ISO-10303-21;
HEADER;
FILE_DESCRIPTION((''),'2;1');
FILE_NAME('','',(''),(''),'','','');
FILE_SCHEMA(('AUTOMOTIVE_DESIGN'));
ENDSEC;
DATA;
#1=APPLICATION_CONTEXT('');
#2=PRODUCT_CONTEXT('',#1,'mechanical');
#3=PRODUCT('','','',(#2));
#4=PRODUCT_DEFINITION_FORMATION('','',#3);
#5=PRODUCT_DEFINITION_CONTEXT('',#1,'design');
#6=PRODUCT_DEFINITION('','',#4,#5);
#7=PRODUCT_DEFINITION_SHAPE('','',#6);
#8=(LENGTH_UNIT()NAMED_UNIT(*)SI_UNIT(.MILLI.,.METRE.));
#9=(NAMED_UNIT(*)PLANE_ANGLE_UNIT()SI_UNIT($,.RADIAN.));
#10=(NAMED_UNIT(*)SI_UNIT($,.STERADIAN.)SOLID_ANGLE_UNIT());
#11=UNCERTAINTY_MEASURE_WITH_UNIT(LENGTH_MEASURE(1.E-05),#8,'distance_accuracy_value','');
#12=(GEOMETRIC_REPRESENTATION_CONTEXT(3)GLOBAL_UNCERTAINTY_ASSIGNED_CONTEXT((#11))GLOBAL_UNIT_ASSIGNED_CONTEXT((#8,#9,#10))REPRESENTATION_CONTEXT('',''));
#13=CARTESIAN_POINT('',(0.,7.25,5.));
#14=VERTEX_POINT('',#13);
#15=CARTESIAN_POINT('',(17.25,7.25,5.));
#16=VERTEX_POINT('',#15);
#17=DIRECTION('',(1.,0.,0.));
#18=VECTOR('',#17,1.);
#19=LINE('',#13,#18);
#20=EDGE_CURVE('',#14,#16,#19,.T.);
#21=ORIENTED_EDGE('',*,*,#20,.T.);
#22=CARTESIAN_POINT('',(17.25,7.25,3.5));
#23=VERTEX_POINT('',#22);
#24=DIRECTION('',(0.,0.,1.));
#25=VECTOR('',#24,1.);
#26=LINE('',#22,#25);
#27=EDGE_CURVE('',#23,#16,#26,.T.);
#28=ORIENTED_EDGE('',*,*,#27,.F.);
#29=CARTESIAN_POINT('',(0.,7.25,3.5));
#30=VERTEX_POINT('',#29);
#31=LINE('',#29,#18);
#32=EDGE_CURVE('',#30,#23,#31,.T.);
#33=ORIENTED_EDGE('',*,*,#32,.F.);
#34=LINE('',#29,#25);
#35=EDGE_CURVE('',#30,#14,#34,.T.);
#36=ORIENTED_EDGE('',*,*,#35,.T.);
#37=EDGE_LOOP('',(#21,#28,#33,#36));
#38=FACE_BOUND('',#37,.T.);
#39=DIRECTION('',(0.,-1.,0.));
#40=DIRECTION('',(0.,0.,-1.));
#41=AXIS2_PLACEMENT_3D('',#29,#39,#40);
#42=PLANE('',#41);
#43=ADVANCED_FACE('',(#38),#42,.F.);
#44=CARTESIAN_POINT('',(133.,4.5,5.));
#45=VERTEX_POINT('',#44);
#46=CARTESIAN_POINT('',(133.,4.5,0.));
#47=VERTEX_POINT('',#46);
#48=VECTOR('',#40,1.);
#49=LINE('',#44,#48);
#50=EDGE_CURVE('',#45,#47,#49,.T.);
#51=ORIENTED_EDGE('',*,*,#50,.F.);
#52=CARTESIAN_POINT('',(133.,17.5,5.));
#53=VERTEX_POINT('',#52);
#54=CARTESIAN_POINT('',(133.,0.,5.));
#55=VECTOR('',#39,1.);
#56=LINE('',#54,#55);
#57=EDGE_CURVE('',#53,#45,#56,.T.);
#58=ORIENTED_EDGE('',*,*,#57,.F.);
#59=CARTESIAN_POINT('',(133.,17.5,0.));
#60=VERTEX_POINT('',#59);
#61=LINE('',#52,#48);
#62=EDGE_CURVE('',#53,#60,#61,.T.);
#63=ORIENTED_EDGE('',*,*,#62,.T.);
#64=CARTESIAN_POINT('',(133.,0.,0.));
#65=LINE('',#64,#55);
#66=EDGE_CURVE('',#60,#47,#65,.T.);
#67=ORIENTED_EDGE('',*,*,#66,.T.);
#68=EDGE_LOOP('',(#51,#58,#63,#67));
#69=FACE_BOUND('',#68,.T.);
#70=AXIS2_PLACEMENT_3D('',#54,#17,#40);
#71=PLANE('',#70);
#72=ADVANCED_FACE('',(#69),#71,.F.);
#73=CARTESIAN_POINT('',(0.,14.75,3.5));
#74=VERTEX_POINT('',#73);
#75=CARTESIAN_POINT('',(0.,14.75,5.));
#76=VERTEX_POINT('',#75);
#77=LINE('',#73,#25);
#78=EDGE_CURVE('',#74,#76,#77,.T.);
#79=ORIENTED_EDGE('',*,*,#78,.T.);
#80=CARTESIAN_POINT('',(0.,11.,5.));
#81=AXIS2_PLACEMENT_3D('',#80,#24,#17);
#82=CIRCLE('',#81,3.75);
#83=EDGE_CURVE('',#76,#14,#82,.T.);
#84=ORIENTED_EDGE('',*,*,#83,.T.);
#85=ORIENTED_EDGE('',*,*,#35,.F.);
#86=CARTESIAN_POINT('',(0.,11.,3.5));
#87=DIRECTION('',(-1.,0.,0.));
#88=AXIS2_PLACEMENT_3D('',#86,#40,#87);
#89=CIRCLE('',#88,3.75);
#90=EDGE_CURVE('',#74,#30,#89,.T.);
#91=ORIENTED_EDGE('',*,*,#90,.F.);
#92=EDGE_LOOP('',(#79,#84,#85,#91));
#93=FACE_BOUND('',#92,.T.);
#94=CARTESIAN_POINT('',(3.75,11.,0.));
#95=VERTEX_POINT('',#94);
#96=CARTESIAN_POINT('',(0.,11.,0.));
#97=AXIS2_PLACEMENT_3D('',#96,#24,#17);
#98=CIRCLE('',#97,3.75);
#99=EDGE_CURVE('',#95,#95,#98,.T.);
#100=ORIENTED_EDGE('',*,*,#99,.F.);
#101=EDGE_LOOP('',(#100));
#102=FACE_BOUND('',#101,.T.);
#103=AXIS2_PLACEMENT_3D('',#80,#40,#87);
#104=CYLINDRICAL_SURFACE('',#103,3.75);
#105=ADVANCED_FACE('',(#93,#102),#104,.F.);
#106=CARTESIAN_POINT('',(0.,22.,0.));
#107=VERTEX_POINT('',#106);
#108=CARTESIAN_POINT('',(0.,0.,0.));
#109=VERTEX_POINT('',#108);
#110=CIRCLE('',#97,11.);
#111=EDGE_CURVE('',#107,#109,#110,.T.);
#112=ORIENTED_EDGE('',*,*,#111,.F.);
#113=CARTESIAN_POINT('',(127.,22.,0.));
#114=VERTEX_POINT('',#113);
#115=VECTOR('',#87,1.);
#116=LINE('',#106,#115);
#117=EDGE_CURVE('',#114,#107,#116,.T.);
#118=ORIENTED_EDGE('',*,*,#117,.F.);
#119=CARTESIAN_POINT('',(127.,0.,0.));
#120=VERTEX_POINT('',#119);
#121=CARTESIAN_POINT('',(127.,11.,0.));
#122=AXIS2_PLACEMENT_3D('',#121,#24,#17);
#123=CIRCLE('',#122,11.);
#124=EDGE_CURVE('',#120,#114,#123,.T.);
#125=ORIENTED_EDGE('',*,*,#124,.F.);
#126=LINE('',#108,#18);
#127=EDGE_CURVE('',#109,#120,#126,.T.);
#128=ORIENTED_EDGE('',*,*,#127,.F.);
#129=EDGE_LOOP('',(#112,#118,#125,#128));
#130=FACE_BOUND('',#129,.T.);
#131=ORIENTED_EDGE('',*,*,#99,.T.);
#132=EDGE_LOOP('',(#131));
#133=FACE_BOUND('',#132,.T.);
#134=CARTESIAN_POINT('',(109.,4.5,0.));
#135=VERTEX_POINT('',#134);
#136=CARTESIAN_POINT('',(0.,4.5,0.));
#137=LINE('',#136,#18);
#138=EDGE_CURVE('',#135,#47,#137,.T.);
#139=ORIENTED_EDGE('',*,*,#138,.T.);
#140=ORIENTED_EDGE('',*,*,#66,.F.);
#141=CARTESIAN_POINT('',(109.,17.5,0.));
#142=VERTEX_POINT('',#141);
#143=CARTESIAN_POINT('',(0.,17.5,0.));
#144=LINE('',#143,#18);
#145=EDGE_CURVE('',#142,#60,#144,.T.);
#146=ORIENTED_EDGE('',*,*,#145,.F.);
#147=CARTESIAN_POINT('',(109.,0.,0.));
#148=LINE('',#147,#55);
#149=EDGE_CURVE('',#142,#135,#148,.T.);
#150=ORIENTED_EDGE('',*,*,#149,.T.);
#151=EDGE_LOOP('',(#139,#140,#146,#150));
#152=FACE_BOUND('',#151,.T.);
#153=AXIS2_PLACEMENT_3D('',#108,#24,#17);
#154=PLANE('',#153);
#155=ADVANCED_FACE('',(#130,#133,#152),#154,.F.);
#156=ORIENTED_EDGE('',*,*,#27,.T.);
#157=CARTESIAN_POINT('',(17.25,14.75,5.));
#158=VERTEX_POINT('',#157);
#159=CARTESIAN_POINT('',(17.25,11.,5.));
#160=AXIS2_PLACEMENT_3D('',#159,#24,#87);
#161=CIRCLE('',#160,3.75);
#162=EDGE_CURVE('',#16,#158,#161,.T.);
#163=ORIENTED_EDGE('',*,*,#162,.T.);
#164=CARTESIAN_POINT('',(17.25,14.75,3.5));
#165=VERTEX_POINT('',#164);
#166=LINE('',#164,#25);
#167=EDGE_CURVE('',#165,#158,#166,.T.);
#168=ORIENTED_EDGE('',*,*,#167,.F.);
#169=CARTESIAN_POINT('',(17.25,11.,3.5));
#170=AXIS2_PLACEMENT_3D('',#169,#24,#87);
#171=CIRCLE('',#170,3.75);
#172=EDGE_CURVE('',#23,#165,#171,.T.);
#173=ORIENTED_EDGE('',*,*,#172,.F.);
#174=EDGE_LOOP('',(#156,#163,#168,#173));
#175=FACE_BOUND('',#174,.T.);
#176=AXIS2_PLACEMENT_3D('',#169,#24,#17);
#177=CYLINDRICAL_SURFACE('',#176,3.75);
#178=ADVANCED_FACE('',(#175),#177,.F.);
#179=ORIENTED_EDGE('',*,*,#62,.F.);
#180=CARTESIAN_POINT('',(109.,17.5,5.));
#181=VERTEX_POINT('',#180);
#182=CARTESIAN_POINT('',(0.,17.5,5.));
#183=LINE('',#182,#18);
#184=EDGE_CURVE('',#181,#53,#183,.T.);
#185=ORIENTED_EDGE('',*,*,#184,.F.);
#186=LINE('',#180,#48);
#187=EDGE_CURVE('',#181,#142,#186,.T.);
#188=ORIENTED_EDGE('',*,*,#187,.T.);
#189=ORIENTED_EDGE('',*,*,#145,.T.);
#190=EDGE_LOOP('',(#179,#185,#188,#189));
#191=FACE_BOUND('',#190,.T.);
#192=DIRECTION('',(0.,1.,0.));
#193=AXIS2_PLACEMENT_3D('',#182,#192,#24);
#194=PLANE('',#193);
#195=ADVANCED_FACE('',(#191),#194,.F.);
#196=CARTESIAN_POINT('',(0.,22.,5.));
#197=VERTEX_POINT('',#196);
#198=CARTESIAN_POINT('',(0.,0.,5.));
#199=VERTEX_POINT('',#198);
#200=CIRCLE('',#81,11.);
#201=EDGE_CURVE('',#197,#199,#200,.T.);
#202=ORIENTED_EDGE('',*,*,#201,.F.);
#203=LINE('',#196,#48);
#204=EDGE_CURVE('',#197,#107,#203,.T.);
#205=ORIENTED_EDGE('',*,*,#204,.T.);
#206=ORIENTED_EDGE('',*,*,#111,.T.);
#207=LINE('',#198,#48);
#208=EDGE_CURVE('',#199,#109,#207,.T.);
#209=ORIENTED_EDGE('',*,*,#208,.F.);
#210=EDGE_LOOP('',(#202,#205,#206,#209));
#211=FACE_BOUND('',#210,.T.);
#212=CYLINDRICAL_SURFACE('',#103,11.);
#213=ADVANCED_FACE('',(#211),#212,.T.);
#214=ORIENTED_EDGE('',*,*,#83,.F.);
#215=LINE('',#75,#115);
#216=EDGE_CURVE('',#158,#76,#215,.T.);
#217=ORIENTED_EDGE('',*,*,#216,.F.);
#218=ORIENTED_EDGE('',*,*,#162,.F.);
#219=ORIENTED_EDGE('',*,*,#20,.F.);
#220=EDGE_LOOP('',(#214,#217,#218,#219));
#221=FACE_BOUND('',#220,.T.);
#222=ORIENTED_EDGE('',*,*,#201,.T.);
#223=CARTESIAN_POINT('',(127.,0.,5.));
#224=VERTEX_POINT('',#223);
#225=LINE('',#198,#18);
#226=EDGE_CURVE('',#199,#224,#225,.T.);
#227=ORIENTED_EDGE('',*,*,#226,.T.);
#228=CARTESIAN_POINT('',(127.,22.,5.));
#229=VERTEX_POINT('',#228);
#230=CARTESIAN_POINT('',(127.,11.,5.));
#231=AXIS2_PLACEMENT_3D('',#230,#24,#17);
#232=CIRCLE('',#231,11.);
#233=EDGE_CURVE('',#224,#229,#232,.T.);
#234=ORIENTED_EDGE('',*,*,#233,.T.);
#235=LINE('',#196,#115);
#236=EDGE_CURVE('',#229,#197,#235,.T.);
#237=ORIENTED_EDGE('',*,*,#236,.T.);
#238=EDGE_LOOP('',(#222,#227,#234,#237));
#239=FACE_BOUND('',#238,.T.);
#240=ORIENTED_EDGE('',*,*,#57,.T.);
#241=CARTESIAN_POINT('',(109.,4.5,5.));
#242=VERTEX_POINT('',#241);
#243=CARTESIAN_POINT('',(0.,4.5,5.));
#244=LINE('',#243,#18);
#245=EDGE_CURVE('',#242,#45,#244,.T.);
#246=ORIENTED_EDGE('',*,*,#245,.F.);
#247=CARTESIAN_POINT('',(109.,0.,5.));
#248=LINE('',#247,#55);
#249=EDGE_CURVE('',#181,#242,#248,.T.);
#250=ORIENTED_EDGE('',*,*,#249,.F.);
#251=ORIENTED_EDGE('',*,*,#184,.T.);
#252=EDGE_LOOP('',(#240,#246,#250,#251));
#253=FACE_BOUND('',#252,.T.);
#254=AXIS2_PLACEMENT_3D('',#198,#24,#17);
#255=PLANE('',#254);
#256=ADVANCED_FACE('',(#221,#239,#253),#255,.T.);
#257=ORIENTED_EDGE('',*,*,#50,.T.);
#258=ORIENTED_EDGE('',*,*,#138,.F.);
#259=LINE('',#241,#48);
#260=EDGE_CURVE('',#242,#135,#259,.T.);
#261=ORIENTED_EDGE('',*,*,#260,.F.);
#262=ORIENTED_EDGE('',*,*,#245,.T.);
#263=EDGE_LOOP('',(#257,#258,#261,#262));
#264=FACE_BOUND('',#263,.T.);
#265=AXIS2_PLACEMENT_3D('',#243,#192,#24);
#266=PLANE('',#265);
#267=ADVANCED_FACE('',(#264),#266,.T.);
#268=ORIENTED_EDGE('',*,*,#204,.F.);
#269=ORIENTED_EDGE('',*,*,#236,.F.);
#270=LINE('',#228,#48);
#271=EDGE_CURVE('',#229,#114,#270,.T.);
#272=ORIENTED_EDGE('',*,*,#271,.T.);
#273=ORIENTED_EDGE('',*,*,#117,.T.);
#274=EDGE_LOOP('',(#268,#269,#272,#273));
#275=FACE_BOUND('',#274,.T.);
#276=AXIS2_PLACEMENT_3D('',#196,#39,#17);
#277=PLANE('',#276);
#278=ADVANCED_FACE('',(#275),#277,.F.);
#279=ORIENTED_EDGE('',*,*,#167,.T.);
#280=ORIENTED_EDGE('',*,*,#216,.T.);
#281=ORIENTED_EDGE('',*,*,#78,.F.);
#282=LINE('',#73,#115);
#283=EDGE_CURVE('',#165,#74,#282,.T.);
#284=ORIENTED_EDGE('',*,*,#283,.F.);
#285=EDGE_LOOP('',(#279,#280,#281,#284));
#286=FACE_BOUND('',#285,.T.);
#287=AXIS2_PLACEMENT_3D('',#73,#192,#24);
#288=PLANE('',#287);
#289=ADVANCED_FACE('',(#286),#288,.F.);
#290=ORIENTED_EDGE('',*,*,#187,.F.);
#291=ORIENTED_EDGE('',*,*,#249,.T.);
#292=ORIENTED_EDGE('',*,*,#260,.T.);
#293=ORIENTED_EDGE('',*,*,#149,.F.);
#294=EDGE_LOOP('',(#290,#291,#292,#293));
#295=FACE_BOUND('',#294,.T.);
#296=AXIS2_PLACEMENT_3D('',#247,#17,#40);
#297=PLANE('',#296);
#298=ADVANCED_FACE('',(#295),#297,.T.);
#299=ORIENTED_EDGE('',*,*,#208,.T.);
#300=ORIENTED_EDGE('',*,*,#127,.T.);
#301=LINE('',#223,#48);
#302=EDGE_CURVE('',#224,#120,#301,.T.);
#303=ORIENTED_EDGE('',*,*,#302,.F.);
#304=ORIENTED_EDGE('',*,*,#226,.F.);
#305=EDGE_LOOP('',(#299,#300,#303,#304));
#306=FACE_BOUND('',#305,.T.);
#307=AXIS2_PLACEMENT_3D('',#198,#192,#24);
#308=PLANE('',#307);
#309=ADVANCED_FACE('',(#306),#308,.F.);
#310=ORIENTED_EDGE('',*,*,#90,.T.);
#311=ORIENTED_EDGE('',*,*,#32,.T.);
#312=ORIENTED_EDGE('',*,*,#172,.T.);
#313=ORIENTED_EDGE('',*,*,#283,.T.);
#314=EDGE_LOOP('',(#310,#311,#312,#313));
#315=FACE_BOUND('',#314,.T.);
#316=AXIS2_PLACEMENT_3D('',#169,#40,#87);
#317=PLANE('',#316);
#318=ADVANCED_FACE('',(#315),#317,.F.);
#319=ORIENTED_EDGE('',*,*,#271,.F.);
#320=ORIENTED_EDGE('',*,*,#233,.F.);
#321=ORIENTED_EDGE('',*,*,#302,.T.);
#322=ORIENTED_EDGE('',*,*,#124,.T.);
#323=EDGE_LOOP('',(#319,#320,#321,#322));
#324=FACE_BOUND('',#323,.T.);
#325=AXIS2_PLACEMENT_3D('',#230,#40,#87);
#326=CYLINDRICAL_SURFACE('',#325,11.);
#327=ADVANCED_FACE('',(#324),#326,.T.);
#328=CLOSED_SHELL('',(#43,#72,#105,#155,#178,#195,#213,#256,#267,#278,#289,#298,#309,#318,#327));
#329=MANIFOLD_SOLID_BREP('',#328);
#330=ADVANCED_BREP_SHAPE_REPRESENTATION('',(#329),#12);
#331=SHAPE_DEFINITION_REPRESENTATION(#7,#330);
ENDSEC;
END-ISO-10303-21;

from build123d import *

# Parameters (mm, degrees)
SKETCH1_R           = 3.75
SKETCH1_W           = 24
SKETCH1_H           = 13
BOSS_EXTRUDE1_DEPTH = 5
CUT_EXTRUDE1_DEPTH  = 1.5


with BuildPart() as part:
    # Sketch1 → Boss-Extrude1 (new body)
    with BuildSketch(Plane.XY):
        with BuildLine():
            ThreePointArc((0, 22), (-11, 11), (0, 0))
            Line((0, 0), (127, 0))
            ThreePointArc((127, 0), (138, 11), (127, 22))
            Line((127, 22), (0, 22))
        make_face()
        with Locations((0, 11)):
            Circle(SKETCH1_R, mode=Mode.SUBTRACT)
        with Locations((121, 11)):
            Rectangle(SKETCH1_W, SKETCH1_H, mode=Mode.SUBTRACT)
    extrude(amount=BOSS_EXTRUDE1_DEPTH)

    # Sketch3 → Cut-Extrude1 (cut)
    with BuildSketch(Plane.XY.offset(5)):
        with BuildLine():
            Line((0, 14.75), (17.25, 14.75))
            ThreePointArc((17.25, 14.75), (21, 11), (17.25, 7.25))
            Line((17.25, 7.25), (0, 7.25))
            ThreePointArc((0, 7.25), (3.75, 11), (0, 14.75))
        make_face()
    extrude(amount=-CUT_EXTRUDE1_DEPTH, mode=Mode.SUBTRACT)


solid = part.part
